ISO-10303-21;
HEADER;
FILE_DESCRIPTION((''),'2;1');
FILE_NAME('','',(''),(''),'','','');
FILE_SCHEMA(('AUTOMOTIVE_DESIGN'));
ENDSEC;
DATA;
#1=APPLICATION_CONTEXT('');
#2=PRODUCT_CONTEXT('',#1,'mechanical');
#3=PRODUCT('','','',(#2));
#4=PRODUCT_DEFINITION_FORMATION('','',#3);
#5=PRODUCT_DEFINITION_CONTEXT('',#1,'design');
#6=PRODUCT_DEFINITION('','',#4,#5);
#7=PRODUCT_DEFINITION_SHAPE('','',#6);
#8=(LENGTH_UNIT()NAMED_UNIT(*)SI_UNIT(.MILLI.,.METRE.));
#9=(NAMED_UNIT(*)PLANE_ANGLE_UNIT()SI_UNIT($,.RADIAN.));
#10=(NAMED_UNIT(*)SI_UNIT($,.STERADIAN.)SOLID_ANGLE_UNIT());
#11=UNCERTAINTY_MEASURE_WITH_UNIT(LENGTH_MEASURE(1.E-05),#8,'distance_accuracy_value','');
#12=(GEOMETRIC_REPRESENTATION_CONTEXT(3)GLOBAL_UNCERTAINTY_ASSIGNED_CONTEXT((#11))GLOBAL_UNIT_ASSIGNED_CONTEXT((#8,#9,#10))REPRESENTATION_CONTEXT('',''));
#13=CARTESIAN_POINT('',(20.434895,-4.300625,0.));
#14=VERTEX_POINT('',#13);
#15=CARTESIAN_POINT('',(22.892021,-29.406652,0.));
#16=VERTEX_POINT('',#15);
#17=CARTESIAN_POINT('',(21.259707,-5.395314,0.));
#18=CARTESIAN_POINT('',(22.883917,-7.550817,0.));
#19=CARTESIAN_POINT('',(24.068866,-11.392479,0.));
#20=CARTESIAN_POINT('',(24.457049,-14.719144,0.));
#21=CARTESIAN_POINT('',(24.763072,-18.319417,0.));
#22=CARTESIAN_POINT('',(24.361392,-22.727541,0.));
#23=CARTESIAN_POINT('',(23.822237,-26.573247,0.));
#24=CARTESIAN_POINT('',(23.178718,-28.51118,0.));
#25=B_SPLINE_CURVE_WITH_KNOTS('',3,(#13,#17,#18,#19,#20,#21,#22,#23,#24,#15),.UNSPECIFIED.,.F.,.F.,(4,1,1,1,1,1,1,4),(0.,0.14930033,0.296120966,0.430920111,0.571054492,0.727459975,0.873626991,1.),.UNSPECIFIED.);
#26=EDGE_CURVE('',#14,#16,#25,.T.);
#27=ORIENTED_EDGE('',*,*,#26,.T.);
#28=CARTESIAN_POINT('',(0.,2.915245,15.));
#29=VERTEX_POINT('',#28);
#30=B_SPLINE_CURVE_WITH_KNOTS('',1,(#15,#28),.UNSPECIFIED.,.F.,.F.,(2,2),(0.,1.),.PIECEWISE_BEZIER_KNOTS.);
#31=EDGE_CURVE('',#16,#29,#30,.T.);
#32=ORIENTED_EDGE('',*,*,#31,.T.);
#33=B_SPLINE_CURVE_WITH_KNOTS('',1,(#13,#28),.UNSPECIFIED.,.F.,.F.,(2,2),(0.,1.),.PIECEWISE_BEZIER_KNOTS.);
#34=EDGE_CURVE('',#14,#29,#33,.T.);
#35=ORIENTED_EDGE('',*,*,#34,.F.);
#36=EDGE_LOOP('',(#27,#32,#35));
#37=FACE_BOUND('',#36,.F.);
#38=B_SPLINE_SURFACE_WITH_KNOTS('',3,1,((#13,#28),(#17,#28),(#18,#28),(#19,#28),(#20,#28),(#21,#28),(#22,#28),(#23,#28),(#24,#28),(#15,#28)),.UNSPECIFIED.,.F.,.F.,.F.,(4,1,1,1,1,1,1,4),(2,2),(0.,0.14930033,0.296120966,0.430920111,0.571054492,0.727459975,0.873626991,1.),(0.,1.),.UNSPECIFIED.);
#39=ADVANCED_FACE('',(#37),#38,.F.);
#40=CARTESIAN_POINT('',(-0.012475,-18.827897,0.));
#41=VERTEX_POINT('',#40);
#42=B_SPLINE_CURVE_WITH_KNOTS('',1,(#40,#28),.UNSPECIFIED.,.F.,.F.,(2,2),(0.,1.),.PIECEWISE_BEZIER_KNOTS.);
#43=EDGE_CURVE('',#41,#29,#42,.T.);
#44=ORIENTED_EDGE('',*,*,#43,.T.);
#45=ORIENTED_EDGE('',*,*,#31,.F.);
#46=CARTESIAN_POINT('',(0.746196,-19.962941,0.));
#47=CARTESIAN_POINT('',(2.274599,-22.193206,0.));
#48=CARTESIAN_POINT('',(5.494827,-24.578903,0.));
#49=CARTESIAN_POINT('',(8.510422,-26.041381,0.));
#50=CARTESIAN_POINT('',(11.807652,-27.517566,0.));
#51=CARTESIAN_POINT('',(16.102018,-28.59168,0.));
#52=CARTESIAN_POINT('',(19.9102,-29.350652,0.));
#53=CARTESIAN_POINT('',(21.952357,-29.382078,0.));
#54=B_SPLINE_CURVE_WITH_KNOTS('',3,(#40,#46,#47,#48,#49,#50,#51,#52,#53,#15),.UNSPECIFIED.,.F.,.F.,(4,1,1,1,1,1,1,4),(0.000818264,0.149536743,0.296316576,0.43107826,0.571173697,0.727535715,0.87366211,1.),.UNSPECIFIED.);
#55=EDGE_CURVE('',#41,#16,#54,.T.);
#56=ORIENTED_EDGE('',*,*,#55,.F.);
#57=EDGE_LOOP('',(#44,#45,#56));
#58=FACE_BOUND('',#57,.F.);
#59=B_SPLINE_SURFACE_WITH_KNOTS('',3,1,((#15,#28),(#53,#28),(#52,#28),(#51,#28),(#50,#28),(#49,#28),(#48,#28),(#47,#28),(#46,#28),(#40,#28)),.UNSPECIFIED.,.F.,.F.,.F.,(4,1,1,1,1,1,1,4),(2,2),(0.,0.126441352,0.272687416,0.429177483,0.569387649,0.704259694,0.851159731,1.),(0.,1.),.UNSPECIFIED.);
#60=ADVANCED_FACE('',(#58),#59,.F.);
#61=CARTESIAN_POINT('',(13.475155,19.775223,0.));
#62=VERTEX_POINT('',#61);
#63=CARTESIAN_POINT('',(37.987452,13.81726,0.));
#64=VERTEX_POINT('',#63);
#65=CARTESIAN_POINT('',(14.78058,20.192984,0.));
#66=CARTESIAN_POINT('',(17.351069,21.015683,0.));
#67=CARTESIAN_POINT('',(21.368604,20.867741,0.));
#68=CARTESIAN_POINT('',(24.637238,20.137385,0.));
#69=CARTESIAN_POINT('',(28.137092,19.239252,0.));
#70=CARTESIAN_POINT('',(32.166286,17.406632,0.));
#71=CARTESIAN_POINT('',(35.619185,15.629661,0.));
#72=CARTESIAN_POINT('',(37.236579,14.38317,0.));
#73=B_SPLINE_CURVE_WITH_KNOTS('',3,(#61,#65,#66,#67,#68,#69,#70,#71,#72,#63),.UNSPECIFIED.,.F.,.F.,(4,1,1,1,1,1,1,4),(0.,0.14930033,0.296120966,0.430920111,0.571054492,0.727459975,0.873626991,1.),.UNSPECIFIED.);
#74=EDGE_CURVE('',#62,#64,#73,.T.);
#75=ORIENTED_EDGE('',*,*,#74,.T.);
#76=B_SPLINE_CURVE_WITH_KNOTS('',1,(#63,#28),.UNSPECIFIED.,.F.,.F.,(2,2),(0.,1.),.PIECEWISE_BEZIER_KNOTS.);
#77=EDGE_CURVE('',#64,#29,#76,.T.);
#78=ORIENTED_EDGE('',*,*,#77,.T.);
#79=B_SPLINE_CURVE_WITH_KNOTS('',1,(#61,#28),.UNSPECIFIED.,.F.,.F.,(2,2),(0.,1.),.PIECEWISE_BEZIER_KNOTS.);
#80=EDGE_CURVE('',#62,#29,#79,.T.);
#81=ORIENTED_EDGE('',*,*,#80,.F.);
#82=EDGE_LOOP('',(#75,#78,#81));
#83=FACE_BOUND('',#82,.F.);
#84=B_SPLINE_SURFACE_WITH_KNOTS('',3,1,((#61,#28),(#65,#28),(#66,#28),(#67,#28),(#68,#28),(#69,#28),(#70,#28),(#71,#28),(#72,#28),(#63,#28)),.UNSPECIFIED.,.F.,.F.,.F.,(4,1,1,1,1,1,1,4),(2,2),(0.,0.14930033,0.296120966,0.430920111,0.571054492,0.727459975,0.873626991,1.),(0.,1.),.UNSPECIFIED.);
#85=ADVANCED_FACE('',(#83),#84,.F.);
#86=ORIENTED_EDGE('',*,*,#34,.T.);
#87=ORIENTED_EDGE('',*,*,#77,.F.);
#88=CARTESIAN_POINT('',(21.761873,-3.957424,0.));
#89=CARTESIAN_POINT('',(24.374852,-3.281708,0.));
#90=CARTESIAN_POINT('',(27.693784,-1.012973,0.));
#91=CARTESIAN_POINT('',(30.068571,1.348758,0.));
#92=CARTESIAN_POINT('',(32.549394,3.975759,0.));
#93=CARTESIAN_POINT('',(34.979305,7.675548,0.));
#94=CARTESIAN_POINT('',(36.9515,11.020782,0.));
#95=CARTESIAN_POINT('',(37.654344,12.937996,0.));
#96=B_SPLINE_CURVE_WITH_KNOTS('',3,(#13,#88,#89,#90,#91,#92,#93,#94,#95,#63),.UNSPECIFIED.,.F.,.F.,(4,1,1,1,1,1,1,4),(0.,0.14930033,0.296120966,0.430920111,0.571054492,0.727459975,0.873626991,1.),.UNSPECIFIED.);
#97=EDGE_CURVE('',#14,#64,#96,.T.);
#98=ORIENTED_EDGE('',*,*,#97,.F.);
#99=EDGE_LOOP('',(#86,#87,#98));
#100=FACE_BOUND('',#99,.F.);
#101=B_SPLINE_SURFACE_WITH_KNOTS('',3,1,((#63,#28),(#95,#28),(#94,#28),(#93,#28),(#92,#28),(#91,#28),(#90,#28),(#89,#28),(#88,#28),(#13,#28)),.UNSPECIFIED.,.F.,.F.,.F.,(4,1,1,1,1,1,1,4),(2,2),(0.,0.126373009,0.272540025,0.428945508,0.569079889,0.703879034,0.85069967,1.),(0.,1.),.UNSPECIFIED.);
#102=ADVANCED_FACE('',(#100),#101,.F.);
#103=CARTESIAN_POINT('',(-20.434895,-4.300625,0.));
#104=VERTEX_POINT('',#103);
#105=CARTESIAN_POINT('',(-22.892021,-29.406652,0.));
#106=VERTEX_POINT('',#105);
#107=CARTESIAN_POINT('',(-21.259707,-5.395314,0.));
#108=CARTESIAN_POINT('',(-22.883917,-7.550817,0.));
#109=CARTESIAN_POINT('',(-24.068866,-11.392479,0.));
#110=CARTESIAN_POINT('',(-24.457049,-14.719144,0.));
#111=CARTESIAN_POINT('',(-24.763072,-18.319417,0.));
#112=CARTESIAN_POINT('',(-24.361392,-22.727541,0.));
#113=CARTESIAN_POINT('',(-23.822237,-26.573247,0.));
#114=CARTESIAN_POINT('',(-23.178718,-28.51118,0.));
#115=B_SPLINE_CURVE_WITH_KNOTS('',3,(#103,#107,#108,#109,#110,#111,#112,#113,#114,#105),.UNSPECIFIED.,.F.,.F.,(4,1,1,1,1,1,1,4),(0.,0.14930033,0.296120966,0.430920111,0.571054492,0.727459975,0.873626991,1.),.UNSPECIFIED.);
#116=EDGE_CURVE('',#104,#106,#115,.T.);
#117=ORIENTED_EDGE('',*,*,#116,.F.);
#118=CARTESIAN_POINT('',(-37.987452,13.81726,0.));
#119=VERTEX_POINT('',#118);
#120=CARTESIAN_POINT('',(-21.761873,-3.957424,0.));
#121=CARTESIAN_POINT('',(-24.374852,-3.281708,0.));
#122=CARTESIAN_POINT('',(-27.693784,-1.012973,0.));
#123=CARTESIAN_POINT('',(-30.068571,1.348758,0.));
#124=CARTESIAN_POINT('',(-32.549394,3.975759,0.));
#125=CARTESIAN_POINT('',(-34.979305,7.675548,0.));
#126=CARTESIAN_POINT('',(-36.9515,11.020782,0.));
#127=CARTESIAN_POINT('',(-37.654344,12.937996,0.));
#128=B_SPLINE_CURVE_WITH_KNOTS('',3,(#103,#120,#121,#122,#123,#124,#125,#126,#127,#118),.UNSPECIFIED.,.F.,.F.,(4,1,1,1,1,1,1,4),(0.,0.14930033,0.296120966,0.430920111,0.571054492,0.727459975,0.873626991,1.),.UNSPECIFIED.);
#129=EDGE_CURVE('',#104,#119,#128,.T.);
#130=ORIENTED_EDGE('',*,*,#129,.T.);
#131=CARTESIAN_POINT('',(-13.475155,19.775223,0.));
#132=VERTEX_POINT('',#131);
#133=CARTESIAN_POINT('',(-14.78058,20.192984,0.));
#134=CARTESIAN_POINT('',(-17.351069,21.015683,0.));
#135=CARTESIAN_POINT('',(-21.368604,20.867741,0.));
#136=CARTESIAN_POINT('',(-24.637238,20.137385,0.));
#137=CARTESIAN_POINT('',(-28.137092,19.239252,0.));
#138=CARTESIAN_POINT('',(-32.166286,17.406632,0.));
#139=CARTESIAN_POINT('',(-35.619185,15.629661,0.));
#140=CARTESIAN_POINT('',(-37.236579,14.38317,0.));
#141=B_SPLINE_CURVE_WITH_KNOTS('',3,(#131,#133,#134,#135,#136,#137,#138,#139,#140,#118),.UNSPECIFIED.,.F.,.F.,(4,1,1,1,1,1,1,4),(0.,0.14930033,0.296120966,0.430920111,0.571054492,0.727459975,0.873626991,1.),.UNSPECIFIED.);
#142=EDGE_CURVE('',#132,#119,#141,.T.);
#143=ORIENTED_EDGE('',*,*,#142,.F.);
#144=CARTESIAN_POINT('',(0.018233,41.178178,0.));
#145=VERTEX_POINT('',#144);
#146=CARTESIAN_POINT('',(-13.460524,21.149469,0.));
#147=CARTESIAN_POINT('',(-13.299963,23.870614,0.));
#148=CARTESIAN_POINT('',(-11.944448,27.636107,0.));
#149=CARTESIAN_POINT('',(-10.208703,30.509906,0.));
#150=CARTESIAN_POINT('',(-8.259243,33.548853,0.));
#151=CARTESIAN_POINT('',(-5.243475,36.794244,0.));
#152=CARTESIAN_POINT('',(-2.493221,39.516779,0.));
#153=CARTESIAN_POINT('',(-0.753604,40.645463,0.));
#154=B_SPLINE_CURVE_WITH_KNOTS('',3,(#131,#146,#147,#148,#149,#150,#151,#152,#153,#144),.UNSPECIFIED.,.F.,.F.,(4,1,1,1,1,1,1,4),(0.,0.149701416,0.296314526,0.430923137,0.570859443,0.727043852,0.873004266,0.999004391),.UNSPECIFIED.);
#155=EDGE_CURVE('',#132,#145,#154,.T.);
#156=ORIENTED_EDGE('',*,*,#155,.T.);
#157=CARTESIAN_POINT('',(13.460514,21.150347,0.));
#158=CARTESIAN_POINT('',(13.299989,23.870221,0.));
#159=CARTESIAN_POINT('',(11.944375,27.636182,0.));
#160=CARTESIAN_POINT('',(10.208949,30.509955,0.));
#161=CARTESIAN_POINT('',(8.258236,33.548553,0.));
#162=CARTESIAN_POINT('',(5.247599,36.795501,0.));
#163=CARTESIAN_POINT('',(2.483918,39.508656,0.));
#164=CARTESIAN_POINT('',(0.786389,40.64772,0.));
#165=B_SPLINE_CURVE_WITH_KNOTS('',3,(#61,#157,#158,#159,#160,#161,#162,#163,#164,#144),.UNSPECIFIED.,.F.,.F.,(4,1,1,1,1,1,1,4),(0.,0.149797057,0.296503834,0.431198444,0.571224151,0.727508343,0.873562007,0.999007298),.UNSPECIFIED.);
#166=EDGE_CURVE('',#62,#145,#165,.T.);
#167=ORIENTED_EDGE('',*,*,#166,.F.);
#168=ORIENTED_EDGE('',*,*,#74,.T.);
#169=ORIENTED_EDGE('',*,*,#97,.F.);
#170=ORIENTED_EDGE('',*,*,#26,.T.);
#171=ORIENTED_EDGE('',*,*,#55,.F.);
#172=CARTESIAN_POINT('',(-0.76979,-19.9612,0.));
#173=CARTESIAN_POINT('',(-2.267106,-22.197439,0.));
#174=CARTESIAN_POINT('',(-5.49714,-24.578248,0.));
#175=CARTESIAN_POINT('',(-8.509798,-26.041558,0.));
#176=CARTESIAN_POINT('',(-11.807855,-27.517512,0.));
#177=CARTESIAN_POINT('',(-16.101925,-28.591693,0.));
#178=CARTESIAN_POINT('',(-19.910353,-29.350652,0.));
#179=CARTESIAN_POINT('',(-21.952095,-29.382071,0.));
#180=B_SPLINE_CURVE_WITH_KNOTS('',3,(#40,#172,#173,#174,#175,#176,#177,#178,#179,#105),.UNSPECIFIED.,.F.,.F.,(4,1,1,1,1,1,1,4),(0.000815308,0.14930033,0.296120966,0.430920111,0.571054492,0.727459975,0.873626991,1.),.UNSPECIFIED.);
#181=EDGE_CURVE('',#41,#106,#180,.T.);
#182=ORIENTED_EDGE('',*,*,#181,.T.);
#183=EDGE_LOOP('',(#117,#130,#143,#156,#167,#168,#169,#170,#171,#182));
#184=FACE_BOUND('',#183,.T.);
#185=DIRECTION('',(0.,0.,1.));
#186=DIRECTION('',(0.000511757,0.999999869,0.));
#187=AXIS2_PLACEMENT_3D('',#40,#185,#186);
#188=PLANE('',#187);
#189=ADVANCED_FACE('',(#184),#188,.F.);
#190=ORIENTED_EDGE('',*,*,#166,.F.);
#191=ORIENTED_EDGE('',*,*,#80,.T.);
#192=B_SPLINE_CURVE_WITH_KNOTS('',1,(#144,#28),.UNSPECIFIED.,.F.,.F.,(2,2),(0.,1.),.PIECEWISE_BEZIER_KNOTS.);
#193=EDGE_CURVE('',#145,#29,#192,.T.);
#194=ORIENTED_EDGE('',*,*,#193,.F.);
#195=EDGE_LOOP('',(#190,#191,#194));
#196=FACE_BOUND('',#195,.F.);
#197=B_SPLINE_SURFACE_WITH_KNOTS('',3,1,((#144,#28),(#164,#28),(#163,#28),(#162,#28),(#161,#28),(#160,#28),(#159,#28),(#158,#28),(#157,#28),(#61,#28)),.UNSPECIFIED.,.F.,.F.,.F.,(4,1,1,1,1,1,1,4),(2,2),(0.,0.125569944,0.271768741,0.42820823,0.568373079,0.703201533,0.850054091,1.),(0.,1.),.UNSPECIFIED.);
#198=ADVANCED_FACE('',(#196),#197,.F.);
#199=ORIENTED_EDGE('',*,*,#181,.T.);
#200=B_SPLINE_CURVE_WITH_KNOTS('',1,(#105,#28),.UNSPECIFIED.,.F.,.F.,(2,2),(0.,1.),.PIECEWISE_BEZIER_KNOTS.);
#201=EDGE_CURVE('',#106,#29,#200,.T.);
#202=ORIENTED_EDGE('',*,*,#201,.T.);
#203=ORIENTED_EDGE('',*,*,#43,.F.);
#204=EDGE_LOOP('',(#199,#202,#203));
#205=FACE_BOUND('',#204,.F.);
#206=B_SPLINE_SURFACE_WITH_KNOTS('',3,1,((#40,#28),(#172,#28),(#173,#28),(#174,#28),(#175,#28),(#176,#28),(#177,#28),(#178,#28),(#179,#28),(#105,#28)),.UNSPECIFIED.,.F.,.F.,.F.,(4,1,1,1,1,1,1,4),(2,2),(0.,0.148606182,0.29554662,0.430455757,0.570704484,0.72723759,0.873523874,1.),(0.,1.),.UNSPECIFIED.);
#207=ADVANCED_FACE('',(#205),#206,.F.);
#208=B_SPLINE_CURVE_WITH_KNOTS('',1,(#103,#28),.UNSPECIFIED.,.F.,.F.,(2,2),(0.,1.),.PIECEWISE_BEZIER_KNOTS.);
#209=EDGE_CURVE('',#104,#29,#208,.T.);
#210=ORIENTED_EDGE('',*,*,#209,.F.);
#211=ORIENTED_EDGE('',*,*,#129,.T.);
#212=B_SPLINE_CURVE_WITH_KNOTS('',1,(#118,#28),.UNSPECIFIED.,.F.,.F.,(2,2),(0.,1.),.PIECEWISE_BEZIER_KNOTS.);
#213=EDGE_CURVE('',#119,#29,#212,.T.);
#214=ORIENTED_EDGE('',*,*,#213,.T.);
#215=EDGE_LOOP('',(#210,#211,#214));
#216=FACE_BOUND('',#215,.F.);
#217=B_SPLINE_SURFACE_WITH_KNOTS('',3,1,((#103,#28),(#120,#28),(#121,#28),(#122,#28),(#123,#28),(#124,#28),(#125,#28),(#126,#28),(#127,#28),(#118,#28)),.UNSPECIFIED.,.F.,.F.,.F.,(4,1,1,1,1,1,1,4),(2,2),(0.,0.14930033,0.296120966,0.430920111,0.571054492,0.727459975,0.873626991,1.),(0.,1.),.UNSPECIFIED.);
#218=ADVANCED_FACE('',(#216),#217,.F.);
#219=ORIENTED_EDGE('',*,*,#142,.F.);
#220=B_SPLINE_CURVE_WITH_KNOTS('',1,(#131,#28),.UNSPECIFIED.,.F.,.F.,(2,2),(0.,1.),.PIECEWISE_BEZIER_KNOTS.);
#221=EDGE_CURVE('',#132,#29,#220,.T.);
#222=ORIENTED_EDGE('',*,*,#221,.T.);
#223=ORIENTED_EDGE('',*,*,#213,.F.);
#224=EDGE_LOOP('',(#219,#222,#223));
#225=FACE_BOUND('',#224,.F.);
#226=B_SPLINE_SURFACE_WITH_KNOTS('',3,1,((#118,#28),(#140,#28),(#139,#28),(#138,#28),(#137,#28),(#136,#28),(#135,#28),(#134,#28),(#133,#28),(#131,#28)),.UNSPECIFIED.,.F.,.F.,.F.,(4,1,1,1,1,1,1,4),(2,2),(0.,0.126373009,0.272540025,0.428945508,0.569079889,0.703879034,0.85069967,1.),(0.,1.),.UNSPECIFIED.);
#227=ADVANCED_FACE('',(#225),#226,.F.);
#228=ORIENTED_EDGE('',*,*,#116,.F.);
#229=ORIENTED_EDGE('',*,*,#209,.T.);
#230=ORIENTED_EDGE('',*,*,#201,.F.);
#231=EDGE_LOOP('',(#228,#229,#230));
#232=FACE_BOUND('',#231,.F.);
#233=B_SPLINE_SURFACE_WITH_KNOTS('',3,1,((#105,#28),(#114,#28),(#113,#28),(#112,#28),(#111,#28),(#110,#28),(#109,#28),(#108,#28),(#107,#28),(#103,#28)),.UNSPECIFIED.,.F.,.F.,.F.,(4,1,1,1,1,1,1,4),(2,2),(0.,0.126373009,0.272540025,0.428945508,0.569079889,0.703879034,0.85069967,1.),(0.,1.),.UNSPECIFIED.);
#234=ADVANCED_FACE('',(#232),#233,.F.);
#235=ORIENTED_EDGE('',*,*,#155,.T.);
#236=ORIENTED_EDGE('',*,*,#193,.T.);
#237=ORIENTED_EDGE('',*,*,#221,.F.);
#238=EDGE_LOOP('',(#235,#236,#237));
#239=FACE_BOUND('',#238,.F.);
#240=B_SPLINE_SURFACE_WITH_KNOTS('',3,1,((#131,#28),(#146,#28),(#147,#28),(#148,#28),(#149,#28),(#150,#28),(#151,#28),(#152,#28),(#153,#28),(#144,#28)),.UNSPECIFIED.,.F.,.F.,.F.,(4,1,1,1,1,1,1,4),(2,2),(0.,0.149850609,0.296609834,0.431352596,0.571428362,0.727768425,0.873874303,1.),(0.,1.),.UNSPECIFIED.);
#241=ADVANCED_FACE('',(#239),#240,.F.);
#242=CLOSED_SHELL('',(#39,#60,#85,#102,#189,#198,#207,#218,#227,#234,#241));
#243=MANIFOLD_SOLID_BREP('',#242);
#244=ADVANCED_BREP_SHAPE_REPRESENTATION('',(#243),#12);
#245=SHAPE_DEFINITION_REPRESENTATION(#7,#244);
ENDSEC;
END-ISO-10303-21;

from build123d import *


with BuildPart() as f3:
    # F0 (on Top) → F3 section 0
    with BuildSketch(Plane.XY, mode=Mode.PRIVATE) as f3_s0:
        with BuildLine():
            add(Edge.make_bspline(
                [(-0.0124753234, -18.8278970229), (-0.7697904308, -19.961200205), (-2.2671056849, -22.197438687), (-5.4971396824, -24.5782476493), (-8.5097982693, -26.0415576227), (-11.8078546142, -27.5175122814), (-16.1019245528, -28.5916930097), (-19.9103525288, -29.3506524555), (-21.9520953162, -29.382071457), (-22.8920214886, -29.4066522003)],
                knots=[0.0008153077, 0.0008153077, 0.0008153077, 0.0008153077, 0.1493003301, 0.2961209658, 0.430920111, 0.5710544916, 0.7274599749, 0.8736269908, 1, 1, 1, 1], degree=3))
            add(Edge.make_bspline(
                [(-0.0124753234, -18.8278970229), (0.7461960263, -19.9629409698), (2.2745986674, -22.1932064946), (5.4948274268, -24.5789033838), (8.5104220837, -26.0413814507), (11.8076523761, -27.51756638), (16.1020181674, -28.5916798607), (19.9101998248, -29.3506521627), (21.9523565252, -29.3820782881), (22.8920214886, -29.4066522003)],
                knots=[0.0008182641, 0.0008182641, 0.0008182641, 0.0008182641, 0.1495367427, 0.2963165764, 0.4310782604, 0.5711736972, 0.7275357148, 0.8736621104, 1, 1, 1, 1], degree=3))
            add(Edge.make_bspline(
                [(20.4348945499, -4.3006254881), (21.2597065341, -5.3953141435), (22.8839168621, -7.5508167818), (24.0688660994, -11.3924788825), (24.4570494165, -14.7191441124), (24.7630720257, -18.3194174314), (24.3613918358, -22.7275410571), (23.8222374996, -26.5732471939), (23.1787177672, -28.5111798856), (22.8920214886, -29.4066522003)],
                knots=[0, 0, 0, 0, 0.1493003301, 0.2961209658, 0.430920111, 0.5710544916, 0.7274599749, 0.8736269908, 1, 1, 1, 1], degree=3))
            add(Edge.make_bspline(
                [(20.4348945499, -4.3006254881), (21.7618725093, -3.9574235697), (24.374851601, -3.2817083338), (27.6937837356, -1.0129725898), (30.0685709731, 1.3487584314), (32.5493941697, 3.9757593975), (34.9793047253, 7.6755479815), (36.9514996607, 11.0207819383), (37.6543436494, 12.9379963475), (37.9874524251, 13.8172596563)],
                knots=[0, 0, 0, 0, 0.1493003301, 0.2961209658, 0.430920111, 0.5710544916, 0.7274599749, 0.8736269908, 1, 1, 1, 1], degree=3))
            add(Edge.make_bspline(
                [(13.4751550677, 19.7752230943), (14.7805797181, 20.1929844422), (17.3510694176, 21.0156833652), (21.368604162, 20.8677409141), (24.6372381531, 20.1373850615), (28.1370915811, 19.2392515574), (32.1662860229, 17.4066323866), (35.6191854559, 15.6296606384), (37.2365791887, 14.3831702546), (37.9874524251, 13.8172596563)],
                knots=[0, 0, 0, 0, 0.1493003301, 0.2961209658, 0.430920111, 0.5710544916, 0.7274599749, 0.8736269908, 1, 1, 1, 1], degree=3))
            add(Edge.make_bspline(
                [(13.4751550677, 19.7752230943), (13.460514309, 21.1503468021), (13.2999889318, 23.8702205813), (11.9443750321, 27.6361817734), (10.2089491359, 30.5099546927), (8.2582355477, 33.5485532527), (5.2475993623, 36.7955008004), (2.4839183133, 39.5086562648), (0.7863888883, 40.6477204187), (0.0182331866, 41.1781780645)],
                knots=[0, 0, 0, 0, 0.1497970569, 0.2965038342, 0.4311984436, 0.571224151, 0.7275083428, 0.8735620072, 0.999007298, 0.999007298, 0.999007298, 0.999007298], degree=3))
            add(Edge.make_bspline(
                [(-13.4751550677, 19.7752230943), (-13.4605236567, 21.1494688303), (-13.2999630263, 23.870613964), (-11.9444475544, 27.636107175), (-10.2087031525, 30.5099055848), (-8.259242905, 33.5488528158), (-5.2434748417, 36.7942435322), (-2.4932213287, 39.5167791201), (-0.7536039327, 40.6454634899), (0.0182331866, 41.1781780645)],
                knots=[0, 0, 0, 0, 0.1497014163, 0.2963145262, 0.4309231374, 0.5708594429, 0.7270438524, 0.8730042663, 0.9990043912, 0.9990043912, 0.9990043912, 0.9990043912], degree=3))
            add(Edge.make_bspline(
                [(-13.4751550677, 19.7752230943), (-14.7805797181, 20.1929844422), (-17.3510694176, 21.0156833652), (-21.368604162, 20.8677409141), (-24.6372381531, 20.1373850615), (-28.1370915811, 19.2392515574), (-32.1662860229, 17.4066323866), (-35.6191854559, 15.6296606384), (-37.2365791887, 14.3831702546), (-37.9874524251, 13.8172596563)],
                knots=[0, 0, 0, 0, 0.1493003301, 0.2961209658, 0.430920111, 0.5710544916, 0.7274599749, 0.8736269908, 1, 1, 1, 1], degree=3))
            add(Edge.make_bspline(
                [(-20.4348945499, -4.3006254881), (-21.7618725093, -3.9574235697), (-24.374851601, -3.2817083338), (-27.6937837356, -1.0129725898), (-30.0685709731, 1.3487584314), (-32.5493941697, 3.9757593975), (-34.9793047253, 7.6755479815), (-36.9514996607, 11.0207819383), (-37.6543436494, 12.9379963475), (-37.9874524251, 13.8172596563)],
                knots=[0, 0, 0, 0, 0.1493003301, 0.2961209658, 0.430920111, 0.5710544916, 0.7274599749, 0.8736269908, 1, 1, 1, 1], degree=3))
            add(Edge.make_bspline(
                [(-20.4348945499, -4.3006254881), (-21.2597065341, -5.3953141435), (-22.8839168621, -7.5508167818), (-24.0688660994, -11.3924788825), (-24.4570494165, -14.7191441124), (-24.7630720257, -18.3194174314), (-24.3613918358, -22.7275410571), (-23.8222374996, -26.5732471939), (-23.1787177672, -28.5111798856), (-22.8920214886, -29.4066522003)],
                knots=[0, 0, 0, 0, 0.1493003301, 0.2961209658, 0.430920111, 0.5710544916, 0.7274599749, 0.8736269908, 1, 1, 1, 1], degree=3))
        make_face()
    loft([f3_s0.sketch, Vertex(0, 2.9152445495, 15)])


solid = f3.part
